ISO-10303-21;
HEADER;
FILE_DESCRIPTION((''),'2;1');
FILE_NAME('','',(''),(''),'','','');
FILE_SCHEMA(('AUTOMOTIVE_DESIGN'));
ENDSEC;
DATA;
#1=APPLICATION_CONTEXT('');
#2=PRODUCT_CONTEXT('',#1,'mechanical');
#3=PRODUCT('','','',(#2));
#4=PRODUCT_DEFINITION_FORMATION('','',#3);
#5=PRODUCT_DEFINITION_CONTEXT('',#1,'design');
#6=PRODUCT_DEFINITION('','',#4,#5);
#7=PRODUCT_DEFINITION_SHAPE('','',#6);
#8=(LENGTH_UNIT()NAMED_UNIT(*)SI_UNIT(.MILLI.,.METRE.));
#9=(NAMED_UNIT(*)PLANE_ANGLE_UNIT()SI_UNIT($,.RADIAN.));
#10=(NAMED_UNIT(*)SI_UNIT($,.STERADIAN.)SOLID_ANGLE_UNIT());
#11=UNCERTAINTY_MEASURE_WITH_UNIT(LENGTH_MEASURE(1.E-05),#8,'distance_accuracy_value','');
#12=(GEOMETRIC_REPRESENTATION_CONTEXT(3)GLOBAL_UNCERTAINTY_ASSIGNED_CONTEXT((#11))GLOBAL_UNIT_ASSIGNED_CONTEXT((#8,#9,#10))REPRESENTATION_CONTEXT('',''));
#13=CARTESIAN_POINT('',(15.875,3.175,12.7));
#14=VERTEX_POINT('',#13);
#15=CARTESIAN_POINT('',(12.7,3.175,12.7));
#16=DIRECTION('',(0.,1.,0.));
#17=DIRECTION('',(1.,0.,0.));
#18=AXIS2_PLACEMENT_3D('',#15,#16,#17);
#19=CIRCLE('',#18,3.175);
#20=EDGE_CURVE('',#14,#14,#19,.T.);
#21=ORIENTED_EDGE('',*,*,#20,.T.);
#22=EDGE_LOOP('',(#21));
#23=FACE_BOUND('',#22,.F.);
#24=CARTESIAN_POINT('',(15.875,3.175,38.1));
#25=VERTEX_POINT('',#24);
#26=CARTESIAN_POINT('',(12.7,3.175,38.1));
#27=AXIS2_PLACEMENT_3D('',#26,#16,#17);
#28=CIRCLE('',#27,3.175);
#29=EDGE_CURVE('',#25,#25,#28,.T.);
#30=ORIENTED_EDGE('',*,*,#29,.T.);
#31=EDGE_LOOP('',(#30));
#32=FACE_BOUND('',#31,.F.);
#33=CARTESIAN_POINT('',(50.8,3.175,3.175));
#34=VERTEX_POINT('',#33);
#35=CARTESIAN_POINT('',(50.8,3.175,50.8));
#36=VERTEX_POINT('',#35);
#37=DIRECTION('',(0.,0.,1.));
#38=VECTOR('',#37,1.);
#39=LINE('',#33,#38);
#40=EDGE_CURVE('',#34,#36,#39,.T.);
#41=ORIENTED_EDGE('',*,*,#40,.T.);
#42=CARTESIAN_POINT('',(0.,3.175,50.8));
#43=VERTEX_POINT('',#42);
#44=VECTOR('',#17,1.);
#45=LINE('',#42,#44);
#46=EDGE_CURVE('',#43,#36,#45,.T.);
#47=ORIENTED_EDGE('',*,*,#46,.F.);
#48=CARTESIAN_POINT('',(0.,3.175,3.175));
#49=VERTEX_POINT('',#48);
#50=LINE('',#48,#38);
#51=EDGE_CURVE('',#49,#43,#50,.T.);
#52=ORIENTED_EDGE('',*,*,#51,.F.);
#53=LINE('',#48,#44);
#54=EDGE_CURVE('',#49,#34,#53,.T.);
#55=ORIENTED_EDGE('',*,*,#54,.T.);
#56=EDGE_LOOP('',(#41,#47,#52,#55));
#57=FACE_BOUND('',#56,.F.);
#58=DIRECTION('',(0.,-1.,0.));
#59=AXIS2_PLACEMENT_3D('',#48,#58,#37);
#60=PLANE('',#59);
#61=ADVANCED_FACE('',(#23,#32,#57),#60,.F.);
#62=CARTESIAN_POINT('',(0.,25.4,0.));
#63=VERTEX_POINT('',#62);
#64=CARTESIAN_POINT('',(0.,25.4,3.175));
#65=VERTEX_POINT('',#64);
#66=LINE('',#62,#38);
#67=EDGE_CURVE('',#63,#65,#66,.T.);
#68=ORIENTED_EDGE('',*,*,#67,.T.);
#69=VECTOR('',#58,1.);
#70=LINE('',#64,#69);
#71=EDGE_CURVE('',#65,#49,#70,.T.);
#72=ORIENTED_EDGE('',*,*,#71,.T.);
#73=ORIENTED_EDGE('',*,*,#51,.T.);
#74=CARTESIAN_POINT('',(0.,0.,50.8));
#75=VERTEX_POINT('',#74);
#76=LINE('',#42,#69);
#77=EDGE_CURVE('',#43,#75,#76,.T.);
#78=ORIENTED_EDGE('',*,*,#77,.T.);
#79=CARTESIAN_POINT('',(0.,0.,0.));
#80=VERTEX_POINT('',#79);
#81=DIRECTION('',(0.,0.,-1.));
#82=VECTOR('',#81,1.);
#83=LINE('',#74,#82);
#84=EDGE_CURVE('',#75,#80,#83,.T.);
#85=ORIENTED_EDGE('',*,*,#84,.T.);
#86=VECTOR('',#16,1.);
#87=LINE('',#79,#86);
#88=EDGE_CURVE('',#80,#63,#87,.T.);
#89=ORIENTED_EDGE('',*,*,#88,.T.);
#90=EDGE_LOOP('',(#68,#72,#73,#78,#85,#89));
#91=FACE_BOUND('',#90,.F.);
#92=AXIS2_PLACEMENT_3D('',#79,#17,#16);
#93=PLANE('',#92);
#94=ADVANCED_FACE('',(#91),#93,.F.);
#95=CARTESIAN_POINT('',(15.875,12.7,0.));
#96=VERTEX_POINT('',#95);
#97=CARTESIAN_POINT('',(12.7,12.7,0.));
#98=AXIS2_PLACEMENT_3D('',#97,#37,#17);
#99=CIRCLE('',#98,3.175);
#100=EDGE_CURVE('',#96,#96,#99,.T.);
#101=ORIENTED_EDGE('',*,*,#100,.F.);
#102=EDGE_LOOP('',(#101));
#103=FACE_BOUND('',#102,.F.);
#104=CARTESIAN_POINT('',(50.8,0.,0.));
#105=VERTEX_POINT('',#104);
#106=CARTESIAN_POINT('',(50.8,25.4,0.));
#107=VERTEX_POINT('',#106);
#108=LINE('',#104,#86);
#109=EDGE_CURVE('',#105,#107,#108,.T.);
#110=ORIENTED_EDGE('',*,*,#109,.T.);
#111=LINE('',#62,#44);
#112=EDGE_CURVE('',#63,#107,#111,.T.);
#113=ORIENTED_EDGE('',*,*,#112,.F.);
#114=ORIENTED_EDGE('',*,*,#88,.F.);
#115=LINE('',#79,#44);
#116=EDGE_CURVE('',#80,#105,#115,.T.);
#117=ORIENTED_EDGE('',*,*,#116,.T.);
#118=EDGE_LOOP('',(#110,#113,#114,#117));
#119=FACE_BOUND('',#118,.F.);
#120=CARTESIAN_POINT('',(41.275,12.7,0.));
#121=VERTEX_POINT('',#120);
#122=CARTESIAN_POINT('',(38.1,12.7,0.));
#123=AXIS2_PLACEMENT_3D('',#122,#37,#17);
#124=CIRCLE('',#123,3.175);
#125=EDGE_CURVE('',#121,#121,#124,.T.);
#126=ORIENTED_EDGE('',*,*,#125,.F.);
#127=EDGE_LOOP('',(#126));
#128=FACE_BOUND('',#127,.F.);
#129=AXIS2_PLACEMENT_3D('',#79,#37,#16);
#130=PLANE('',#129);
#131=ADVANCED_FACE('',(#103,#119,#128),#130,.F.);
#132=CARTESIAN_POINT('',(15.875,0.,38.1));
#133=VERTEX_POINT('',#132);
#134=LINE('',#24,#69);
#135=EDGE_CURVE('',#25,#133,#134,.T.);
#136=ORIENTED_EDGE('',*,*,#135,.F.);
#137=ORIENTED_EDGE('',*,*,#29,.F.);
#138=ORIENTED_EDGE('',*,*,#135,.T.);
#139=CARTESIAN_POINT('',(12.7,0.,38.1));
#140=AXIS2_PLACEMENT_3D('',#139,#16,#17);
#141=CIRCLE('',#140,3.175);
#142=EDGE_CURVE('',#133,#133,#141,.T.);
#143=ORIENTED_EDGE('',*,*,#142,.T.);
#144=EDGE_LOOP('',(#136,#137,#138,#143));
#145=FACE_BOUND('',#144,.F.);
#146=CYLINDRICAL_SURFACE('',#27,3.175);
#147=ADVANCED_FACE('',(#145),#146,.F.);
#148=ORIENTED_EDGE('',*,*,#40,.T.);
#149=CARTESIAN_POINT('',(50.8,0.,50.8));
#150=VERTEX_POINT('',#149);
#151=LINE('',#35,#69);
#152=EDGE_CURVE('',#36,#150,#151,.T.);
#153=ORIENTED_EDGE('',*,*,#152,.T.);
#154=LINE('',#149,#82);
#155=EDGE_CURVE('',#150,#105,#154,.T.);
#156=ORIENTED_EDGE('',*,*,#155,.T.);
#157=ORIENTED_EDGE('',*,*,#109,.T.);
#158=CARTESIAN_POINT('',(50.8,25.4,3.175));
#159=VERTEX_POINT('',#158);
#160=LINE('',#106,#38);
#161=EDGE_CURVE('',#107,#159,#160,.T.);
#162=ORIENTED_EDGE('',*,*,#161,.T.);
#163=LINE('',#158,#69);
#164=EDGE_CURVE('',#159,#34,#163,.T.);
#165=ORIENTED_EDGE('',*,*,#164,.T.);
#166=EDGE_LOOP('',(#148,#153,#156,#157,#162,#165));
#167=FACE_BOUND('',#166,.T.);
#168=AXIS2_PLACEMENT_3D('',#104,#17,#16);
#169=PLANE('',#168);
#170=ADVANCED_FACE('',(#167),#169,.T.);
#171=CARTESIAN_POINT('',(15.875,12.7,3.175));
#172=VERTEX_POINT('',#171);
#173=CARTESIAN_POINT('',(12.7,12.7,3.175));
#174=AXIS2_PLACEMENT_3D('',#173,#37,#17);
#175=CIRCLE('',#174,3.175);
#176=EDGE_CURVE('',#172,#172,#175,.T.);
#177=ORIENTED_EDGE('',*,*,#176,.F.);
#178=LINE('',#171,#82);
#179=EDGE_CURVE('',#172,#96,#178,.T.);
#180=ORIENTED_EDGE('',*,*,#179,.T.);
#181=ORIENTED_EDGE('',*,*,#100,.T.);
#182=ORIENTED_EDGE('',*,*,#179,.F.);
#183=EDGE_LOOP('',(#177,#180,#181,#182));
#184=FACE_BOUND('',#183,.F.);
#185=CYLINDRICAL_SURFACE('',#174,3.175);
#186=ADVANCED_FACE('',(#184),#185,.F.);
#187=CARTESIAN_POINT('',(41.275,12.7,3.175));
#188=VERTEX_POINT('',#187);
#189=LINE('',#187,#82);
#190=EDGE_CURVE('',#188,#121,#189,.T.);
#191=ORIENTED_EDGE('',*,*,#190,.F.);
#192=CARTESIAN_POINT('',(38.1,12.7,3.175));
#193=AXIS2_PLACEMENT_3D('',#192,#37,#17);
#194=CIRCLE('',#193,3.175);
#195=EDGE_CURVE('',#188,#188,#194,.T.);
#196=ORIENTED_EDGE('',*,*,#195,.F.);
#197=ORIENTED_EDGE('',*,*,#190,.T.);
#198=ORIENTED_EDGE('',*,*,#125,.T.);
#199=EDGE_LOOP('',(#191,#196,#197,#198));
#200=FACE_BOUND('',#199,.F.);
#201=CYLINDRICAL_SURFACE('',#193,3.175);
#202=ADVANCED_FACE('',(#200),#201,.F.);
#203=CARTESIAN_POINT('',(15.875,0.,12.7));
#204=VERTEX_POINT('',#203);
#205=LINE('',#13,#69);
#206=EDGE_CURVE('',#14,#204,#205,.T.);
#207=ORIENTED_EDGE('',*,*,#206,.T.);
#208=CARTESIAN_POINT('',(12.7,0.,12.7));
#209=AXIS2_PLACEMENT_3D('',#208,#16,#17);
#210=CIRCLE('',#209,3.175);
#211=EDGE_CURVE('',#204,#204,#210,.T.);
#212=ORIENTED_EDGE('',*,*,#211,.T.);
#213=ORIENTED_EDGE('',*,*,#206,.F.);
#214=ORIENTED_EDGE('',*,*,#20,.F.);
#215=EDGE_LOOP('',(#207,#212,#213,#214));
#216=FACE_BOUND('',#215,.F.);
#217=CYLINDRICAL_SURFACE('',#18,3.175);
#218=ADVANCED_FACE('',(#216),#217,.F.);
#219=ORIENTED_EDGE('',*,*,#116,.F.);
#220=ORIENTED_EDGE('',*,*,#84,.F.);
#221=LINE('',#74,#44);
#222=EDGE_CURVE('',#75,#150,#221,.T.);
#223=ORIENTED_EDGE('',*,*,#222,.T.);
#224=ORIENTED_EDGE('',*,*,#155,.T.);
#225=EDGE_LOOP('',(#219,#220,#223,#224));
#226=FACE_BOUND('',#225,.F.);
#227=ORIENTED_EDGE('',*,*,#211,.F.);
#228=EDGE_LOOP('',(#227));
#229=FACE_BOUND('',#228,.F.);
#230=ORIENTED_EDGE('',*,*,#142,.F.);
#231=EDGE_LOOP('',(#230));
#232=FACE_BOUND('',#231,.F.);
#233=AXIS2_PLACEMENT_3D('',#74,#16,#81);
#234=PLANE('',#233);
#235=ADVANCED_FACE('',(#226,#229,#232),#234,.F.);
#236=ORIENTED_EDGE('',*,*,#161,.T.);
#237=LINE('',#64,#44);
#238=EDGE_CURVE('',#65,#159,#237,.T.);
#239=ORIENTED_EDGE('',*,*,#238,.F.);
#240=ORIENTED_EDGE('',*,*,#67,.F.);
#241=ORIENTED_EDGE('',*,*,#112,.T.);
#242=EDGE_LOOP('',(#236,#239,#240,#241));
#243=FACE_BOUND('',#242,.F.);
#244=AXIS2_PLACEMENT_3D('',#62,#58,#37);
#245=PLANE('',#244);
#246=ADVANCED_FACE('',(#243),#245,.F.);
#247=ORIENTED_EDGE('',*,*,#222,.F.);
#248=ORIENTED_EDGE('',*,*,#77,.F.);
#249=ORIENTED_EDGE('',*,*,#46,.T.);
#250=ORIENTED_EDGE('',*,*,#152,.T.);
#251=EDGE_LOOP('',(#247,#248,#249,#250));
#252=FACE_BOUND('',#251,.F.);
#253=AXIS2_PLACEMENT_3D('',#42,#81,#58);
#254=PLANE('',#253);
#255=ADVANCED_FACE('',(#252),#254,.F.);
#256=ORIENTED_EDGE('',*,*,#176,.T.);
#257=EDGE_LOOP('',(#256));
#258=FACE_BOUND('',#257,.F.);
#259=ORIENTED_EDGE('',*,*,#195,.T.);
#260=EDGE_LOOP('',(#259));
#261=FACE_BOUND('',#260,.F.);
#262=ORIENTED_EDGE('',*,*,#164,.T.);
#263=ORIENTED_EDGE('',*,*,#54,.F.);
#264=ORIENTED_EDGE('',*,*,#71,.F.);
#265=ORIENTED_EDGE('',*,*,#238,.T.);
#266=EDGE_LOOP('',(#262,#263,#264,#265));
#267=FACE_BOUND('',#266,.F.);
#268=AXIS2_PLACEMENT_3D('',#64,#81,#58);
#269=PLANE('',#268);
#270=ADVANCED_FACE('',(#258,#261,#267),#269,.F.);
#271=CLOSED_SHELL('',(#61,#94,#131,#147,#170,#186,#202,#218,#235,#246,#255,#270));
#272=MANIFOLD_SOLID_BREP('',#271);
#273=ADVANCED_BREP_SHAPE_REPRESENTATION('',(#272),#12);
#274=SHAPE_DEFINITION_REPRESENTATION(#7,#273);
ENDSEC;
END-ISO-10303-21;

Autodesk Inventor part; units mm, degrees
ref_plane "YZ Plane" through (0, 0, 0) normal (1, 0, 0) x (0, 1, 0)
ref_plane "XZ Plane" through (0, 0, 0) normal (0, 1, 0) x (-1, 0, 0)
ref_plane "XY Plane" through (0, 0, 0) normal (0, 0, 1) x (1, 0, 0)
sketch "Sketch1" plane through (0, 0, 0) normal (1, 0, 0) x (0, 1, 0)
  line L0 (0, 0) -> (25.4, 0)
  line L1 (25.4, 0) -> (25.4, 3.175)
  line L2 (25.4, 3.175) -> (3.175, 3.175)
  line L3 (3.175, 3.175) -> (3.175, 50.8)
  line L4 (3.175, 50.8) -> (0, 50.8)
  line L5 (0, 50.8) -> (0, 0)
  dimension "d0" = 25.4
  dimension "d1" = 3.175
  dimension "d2" = 22.225
  dimension "d3" = 47.625
extrude "Extrusion1" add sketch "Sketch1" along normal blind 50.8
sketch "Sketch2" plane through (0, 3.175, 3.175) normal (0, 0, 1) x (1, 0, 0)
  circle A0 centre (12.7, 9.525) radius 3.175
  circle A1 centre (38.1, 9.525) radius 3.175
  line L0 (0, 22.225) -> (50.8, 22.225) projected
  line L1 (50.8, 22.225) -> (50.8, 0) projected
  line L2 (0, 22.225) -> (0, 0) projected
  point P0 (0, -3.175)
  dimension "d6" = 6.35
  dimension "d7" = 12.7
  dimension "d8" = 12.7
  dimension "d9" = 12.7
  dimension "d10" = 12.7
extrude "Extrusion2" cut sketch "Sketch2" against normal blind 3.175
sketch "Sketch3" plane through (0, 3.175, 50.8) normal (0, 1, 0) x (1, 0, 0)
  circle A0 centre (12.7, 12.7) radius 3.175
  circle A1 centre (12.7, 38.1) radius 3.175
  line L0 (0, 0) -> (50.8, 0) projected
  line L1 (0, 47.625) -> (0, 0) projected
  point P0 (0, 50.8)
  dimension "d13" = 6.35
  dimension "d14" = 6.35
  dimension "d15" = 12.7
  dimension "d16" = 12.7
  dimension "d17" = 12.7
  dimension "d18" = 38.1
extrude "Extrusion3" cut sketch "Sketch3" against normal blind 3.175
properties part number "angle gusset"
